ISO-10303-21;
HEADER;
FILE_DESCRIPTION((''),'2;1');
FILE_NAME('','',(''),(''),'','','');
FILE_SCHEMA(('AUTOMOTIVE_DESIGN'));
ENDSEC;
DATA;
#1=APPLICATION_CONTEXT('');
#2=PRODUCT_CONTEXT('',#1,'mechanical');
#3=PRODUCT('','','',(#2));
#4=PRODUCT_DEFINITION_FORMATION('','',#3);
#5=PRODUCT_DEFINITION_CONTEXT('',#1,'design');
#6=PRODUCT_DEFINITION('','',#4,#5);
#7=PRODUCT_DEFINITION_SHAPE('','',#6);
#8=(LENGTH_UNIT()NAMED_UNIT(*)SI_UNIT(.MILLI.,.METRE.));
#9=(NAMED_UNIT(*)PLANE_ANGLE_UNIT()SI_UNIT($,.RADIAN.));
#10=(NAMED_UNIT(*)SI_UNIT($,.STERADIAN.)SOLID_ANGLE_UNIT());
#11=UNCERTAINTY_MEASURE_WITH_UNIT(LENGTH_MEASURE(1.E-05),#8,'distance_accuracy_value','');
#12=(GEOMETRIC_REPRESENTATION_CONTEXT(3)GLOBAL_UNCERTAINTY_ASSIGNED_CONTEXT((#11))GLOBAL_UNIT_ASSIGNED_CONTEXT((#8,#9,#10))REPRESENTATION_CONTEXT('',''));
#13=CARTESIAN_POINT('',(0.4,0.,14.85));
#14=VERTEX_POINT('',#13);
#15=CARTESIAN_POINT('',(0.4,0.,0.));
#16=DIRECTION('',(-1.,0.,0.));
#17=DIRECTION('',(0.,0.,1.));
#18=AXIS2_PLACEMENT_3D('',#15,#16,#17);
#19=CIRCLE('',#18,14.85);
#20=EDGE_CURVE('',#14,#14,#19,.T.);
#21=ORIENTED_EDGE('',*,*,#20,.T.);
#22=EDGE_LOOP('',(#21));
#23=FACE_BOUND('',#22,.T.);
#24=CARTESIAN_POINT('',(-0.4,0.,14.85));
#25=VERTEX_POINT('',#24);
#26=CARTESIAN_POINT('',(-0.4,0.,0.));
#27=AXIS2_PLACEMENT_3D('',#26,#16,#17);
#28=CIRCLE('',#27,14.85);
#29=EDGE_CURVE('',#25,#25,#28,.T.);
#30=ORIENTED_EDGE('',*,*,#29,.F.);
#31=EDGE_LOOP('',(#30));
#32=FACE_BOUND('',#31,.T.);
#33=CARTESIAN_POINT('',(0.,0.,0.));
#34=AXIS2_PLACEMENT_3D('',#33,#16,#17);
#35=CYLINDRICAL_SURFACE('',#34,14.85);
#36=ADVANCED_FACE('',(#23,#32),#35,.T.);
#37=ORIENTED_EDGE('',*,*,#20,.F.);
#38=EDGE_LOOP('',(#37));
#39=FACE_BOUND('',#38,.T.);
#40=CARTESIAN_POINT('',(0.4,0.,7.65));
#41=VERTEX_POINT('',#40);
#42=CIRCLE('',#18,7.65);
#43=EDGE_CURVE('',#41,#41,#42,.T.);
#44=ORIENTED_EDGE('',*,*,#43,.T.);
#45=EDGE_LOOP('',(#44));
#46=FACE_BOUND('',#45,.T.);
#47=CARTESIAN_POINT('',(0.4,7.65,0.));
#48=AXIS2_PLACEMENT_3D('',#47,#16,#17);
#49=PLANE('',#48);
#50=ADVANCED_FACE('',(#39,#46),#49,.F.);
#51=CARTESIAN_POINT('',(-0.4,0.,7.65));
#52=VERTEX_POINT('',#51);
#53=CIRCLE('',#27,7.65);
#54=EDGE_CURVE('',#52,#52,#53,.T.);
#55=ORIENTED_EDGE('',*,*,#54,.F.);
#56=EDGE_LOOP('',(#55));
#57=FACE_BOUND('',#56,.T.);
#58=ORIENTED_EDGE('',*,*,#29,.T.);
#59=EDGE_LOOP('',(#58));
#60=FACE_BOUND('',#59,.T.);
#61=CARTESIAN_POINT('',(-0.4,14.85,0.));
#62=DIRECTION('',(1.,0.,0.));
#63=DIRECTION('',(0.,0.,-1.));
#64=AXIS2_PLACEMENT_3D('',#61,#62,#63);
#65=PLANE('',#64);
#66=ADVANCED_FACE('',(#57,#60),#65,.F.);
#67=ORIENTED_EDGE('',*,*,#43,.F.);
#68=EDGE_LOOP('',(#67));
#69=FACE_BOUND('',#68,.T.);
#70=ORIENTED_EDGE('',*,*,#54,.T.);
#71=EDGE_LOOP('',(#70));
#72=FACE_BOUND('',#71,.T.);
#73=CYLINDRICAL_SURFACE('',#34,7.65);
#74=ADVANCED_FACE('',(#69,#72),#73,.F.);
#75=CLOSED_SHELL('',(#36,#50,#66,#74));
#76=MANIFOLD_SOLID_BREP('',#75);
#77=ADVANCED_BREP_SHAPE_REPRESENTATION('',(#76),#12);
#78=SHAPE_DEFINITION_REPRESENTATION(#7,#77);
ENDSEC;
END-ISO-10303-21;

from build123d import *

# Parameters (mm, degrees)
SKETCH_2_W = 0.8
SKETCH_2_H = 7.2


with BuildPart() as part:
    # ｽｹｯﾁ2 → 回転1 (revolve)
    with BuildSketch(Plane.XY, mode=Mode.PRIVATE) as revolve_1_sk:
        with Locations((0, 11.25)):
            Rectangle(SKETCH_2_W, SKETCH_2_H)
    revolve(revolve_1_sk.sketch.rotate(Axis((0, 0, 0), (1, 0, 0)), 90), axis=Axis((0, 0, 0), (1, 0, 0)))


solid = part.part
